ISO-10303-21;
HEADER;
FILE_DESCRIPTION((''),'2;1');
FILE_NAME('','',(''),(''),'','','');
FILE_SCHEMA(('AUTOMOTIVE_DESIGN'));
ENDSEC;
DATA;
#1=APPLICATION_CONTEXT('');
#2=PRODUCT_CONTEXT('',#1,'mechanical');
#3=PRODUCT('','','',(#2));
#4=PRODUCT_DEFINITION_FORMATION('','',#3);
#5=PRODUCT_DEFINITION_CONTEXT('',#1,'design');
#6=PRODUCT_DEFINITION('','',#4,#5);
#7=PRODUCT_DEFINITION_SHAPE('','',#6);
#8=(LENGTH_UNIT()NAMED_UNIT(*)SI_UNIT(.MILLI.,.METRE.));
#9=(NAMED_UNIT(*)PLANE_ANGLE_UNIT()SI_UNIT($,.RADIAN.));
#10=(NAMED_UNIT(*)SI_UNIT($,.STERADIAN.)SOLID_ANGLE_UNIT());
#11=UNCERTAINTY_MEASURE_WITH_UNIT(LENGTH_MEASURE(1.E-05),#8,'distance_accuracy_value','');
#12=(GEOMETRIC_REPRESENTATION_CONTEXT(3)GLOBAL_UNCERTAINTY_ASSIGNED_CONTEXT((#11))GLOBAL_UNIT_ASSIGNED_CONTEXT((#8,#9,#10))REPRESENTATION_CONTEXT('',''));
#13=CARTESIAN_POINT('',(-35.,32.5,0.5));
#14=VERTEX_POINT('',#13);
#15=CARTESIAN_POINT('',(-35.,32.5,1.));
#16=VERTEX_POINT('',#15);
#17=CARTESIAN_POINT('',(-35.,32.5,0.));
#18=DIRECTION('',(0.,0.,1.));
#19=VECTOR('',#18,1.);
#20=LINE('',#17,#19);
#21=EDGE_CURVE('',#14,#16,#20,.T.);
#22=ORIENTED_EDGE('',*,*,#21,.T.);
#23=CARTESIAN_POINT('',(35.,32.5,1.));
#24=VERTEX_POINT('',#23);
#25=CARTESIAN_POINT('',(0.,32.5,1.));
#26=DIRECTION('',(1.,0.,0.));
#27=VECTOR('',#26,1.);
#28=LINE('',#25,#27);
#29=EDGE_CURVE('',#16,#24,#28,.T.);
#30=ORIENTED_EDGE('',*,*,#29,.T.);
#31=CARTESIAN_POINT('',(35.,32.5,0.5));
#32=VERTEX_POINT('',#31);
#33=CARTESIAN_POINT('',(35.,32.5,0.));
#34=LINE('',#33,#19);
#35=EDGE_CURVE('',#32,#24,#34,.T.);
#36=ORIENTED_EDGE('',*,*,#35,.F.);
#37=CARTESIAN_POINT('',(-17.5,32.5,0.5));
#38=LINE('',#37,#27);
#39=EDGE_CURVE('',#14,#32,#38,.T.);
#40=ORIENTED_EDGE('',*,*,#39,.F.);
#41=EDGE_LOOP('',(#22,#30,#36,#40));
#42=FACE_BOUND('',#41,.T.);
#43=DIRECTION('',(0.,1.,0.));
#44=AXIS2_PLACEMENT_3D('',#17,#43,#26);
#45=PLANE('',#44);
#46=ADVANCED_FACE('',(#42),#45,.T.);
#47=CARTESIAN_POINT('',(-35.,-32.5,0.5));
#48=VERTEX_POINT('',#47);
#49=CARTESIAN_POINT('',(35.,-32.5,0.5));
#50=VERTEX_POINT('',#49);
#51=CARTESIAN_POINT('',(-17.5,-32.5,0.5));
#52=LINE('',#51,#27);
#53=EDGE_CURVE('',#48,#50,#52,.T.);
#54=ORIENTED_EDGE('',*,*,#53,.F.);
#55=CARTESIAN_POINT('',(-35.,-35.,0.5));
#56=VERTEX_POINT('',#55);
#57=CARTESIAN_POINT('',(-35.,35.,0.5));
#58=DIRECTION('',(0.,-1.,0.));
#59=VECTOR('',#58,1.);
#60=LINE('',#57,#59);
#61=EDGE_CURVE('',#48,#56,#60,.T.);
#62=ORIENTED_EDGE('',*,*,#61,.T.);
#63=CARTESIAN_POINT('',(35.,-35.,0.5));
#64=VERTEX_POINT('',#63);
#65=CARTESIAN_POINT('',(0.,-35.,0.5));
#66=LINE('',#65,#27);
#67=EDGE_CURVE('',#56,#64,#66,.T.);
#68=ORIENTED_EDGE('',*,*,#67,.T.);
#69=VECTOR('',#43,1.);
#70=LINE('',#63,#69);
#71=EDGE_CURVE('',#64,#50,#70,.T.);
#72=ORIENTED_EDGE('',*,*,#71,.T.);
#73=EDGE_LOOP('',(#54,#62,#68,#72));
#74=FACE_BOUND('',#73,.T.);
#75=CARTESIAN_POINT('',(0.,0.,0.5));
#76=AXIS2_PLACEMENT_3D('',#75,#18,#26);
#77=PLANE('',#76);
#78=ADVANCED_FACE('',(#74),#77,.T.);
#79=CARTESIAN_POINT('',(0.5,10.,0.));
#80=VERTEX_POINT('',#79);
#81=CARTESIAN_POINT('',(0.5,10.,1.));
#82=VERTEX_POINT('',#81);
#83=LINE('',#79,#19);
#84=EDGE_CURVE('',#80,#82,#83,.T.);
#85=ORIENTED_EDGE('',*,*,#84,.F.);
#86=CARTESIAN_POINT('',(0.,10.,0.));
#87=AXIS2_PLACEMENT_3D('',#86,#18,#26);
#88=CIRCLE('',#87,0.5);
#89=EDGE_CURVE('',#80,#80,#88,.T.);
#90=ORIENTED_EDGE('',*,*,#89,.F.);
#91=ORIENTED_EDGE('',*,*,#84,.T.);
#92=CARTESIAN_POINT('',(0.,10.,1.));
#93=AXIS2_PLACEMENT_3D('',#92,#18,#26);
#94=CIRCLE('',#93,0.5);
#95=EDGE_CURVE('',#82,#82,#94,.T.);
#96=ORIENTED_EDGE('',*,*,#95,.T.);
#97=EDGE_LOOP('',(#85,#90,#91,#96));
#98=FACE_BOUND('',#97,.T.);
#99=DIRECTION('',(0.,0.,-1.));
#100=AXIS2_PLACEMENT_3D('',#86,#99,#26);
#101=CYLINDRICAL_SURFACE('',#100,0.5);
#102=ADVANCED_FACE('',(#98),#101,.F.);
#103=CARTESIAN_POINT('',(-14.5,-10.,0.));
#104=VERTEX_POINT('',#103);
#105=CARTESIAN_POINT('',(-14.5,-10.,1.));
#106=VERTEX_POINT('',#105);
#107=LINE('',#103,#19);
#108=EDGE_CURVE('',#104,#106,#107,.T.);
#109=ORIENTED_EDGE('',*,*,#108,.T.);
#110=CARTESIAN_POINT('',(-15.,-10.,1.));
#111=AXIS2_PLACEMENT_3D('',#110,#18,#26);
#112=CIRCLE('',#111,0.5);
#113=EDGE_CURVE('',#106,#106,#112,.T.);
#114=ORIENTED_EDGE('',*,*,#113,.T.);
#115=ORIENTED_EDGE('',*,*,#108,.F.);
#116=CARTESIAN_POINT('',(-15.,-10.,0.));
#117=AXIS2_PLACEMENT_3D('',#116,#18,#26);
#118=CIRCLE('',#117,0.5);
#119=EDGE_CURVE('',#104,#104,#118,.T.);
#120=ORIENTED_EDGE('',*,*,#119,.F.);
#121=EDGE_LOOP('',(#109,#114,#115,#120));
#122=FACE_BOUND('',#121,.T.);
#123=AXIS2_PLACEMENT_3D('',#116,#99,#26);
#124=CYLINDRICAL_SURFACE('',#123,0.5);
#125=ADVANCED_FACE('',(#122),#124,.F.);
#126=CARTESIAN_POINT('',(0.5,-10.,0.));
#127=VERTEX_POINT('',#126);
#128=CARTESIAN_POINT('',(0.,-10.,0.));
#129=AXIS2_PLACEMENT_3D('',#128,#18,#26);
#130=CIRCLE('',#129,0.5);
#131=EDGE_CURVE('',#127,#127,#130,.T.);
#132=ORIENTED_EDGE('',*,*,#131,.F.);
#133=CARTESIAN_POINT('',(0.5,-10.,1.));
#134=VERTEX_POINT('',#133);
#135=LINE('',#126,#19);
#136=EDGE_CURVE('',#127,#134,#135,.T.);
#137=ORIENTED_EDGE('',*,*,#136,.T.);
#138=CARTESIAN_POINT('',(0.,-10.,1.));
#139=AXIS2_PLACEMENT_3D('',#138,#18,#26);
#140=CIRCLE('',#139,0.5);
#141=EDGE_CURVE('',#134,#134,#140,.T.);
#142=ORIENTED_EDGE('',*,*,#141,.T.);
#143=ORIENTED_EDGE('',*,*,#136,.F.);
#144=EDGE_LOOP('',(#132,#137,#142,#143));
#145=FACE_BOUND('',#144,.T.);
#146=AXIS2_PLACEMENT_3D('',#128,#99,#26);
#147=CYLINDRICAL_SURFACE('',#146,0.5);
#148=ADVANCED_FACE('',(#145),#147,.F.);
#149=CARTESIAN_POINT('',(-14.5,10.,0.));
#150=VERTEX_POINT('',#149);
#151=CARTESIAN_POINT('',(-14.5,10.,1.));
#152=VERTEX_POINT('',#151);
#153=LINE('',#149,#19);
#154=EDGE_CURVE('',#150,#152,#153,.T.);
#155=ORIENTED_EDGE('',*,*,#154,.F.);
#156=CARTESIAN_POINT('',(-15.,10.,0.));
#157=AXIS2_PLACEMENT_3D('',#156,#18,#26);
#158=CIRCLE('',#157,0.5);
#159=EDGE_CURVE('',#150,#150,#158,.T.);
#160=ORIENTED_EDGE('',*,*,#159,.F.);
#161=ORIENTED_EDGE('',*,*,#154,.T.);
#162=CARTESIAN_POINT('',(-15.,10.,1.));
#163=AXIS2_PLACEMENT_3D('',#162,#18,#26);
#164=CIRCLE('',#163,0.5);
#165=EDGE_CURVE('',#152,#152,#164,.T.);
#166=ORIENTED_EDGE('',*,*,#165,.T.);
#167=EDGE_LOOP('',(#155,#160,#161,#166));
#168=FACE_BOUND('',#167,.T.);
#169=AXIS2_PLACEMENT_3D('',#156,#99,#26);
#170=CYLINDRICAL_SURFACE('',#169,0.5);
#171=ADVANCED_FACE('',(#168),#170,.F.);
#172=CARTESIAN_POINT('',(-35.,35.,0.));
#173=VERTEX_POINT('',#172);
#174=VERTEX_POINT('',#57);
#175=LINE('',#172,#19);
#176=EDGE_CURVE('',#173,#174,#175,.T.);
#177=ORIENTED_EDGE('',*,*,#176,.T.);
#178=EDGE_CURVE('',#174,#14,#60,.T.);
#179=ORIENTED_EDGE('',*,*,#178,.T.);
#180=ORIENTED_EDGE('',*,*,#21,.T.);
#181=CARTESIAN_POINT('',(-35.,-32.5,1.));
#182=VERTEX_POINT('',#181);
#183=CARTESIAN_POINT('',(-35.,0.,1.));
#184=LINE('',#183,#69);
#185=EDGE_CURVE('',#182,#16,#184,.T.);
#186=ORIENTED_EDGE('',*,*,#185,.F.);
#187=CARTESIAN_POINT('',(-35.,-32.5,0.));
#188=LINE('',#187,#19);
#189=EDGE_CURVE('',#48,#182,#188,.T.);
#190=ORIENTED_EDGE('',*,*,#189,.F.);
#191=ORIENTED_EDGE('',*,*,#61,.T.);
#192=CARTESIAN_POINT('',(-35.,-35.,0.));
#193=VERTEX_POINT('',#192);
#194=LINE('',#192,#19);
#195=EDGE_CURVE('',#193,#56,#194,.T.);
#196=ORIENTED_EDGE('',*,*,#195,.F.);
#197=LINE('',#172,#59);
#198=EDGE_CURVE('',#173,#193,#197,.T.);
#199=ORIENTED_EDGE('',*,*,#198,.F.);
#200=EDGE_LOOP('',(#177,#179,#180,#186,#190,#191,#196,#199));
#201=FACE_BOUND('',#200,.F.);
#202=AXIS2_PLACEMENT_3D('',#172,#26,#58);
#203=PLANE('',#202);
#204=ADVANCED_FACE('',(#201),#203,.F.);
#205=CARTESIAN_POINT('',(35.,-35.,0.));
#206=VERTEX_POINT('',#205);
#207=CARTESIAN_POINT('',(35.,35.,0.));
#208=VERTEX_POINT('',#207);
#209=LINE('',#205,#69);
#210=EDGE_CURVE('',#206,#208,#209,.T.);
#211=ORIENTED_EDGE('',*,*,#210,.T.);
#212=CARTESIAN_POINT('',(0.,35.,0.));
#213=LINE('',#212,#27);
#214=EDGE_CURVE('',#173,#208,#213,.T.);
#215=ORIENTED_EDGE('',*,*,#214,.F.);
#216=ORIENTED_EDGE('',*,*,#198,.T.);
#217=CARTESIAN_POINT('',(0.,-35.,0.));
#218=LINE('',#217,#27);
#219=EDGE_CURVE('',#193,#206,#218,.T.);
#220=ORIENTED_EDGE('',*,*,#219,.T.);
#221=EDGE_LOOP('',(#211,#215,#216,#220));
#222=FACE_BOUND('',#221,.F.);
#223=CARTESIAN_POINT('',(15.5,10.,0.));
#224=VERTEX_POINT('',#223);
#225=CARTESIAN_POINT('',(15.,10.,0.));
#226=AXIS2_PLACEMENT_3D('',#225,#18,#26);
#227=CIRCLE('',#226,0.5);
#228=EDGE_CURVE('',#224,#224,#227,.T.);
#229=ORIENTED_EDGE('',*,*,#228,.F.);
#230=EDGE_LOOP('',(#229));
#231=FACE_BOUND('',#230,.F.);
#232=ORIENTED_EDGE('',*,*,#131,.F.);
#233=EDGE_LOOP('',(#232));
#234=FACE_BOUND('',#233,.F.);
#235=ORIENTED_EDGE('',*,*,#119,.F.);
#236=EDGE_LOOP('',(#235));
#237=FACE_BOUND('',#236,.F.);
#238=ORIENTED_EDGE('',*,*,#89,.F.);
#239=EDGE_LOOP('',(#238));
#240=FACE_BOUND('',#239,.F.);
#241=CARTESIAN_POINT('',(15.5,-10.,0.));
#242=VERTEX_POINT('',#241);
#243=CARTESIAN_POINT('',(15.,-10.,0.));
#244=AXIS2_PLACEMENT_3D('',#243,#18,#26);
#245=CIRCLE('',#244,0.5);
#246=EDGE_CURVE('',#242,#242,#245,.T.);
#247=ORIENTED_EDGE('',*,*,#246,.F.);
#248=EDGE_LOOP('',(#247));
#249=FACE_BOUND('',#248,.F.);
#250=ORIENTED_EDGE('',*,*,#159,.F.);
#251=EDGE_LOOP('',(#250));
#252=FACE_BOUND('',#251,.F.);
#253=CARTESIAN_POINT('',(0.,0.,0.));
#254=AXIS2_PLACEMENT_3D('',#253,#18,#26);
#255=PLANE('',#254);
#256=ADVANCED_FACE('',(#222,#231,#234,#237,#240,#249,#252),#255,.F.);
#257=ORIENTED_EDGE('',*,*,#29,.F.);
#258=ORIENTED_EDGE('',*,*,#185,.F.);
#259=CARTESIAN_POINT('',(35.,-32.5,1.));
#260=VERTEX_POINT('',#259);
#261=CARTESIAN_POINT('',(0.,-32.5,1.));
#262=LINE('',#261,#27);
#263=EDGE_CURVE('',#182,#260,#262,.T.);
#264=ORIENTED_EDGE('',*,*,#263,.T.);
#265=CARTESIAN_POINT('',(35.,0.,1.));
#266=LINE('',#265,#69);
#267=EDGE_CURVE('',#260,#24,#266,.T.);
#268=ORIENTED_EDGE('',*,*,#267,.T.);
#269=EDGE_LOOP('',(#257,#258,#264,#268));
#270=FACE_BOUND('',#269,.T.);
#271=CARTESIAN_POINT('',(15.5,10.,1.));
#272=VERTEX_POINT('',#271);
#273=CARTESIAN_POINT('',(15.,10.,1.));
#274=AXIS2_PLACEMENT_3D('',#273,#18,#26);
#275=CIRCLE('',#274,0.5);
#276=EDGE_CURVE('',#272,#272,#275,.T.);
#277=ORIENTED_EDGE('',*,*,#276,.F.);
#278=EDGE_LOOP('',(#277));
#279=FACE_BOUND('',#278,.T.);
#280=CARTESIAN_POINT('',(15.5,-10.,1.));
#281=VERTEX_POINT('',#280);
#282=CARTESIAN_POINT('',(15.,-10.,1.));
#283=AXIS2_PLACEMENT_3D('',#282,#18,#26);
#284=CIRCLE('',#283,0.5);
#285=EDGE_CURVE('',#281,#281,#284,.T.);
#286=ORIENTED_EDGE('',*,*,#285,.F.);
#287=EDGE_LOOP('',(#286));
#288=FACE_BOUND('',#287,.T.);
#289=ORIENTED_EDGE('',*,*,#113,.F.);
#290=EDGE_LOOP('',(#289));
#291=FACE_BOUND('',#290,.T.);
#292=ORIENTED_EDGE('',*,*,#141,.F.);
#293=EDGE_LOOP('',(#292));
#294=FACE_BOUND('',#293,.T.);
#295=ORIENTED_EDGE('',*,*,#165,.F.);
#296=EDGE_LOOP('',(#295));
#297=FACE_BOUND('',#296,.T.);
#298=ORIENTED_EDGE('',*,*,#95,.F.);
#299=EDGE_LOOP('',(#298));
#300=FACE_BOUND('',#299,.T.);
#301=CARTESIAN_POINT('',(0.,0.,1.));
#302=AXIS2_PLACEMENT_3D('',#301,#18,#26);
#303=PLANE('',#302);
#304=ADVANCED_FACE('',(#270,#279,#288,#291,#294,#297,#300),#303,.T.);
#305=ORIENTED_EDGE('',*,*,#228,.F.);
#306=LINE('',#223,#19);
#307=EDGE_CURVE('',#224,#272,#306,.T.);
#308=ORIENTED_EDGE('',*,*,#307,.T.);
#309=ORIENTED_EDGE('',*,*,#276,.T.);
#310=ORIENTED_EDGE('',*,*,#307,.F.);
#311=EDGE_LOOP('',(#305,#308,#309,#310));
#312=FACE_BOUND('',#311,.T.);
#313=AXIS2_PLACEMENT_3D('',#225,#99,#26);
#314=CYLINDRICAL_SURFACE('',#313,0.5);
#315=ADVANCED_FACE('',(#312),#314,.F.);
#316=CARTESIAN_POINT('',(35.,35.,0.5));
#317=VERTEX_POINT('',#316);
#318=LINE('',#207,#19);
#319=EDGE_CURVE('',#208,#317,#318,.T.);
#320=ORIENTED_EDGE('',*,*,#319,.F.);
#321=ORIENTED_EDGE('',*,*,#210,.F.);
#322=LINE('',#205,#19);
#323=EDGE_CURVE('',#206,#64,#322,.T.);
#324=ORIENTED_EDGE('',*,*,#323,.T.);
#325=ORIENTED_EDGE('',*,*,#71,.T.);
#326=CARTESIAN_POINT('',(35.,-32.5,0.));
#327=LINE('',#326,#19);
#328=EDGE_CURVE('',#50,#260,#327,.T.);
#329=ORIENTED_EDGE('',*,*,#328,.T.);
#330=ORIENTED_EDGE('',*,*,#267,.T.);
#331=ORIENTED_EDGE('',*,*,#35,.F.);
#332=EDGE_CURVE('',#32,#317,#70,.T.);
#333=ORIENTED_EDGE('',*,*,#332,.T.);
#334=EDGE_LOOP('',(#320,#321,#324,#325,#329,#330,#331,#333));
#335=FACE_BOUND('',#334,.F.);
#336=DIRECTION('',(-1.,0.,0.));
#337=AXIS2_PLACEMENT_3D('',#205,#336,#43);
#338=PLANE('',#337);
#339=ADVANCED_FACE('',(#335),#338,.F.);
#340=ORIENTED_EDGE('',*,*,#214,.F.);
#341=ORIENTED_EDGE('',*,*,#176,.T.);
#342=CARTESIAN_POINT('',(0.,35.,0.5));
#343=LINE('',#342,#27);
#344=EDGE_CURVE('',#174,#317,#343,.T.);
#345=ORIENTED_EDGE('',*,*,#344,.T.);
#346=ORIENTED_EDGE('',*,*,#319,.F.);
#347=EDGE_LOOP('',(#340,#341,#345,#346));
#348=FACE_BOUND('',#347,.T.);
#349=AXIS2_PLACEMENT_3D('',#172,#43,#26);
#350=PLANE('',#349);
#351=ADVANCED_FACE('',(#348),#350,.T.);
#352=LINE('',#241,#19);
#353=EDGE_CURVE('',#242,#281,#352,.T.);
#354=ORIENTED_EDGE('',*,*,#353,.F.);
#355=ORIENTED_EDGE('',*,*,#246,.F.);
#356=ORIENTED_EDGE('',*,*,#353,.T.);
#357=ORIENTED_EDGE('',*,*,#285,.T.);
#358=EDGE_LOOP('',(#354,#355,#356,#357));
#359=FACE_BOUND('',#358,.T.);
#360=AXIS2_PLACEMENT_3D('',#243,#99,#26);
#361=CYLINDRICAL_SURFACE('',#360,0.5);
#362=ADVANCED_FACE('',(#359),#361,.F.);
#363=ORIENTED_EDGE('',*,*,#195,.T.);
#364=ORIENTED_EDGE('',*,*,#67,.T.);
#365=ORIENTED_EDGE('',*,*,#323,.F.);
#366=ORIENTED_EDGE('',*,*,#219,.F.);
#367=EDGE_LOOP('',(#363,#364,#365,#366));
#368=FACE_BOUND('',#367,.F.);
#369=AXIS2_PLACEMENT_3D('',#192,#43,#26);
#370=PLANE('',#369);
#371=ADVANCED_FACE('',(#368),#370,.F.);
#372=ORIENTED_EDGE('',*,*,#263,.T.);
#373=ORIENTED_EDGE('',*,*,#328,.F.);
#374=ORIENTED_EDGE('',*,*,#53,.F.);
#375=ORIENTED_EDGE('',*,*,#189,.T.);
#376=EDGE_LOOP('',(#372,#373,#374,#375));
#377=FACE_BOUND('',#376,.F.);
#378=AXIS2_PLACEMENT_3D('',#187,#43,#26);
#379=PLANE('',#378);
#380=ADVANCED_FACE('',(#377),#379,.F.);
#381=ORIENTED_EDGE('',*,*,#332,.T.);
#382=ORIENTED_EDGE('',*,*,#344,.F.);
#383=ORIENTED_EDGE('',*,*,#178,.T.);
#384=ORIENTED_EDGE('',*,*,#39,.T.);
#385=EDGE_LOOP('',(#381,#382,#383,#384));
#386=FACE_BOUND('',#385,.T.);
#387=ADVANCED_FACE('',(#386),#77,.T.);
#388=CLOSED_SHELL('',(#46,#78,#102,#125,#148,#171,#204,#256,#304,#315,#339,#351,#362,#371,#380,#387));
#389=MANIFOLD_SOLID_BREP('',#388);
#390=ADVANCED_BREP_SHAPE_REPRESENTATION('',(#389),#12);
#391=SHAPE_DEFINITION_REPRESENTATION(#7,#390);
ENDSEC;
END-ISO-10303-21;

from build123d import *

# Parameters (mm, degrees)
F0_W     = 70
F0_H     = 65
F0_R     = 0.5
F1_DEPTH = 1
F0_H_2   = 2.5
F2_DEPTH = 0.5


with BuildPart() as f1:
    # F0 (on Top) → F1 (new body)
    with BuildSketch(Plane.XY):
        Rectangle(F0_W, F0_H)
        with Locations((-15, -10)):
            Circle(F0_R, mode=Mode.SUBTRACT)
        with Locations((0, -10)):
            Circle(F0_R, mode=Mode.SUBTRACT)
        with Locations((15, -10)):
            Circle(F0_R, mode=Mode.SUBTRACT)
        with Locations((-15, 10)):
            Circle(F0_R, mode=Mode.SUBTRACT)
        with Locations((0, 10)):
            Circle(F0_R, mode=Mode.SUBTRACT)
        with Locations((15, 10)):
            Circle(F0_R, mode=Mode.SUBTRACT)
    extrude(amount=F1_DEPTH)

    # F0 (on Top) → F2 (join)
    with BuildSketch(Plane.XY):
        Rectangle(F0_W, F0_H)
        with Locations((-15, -10)):
            Circle(F0_R, mode=Mode.SUBTRACT)
        with Locations((0, -10)):
            Circle(F0_R, mode=Mode.SUBTRACT)
        with Locations((15, -10)):
            Circle(F0_R, mode=Mode.SUBTRACT)
        with Locations((-15, 10)):
            Circle(F0_R, mode=Mode.SUBTRACT)
        with Locations((0, 10)):
            Circle(F0_R, mode=Mode.SUBTRACT)
        with Locations((15, 10)):
            Circle(F0_R, mode=Mode.SUBTRACT)
        with Locations((0, 33.75)):
            Rectangle(F0_W, F0_H_2)
        with Locations((0, -33.75)):
            Rectangle(F0_W, F0_H_2)
    extrude(amount=F2_DEPTH)


solid = f1.part
